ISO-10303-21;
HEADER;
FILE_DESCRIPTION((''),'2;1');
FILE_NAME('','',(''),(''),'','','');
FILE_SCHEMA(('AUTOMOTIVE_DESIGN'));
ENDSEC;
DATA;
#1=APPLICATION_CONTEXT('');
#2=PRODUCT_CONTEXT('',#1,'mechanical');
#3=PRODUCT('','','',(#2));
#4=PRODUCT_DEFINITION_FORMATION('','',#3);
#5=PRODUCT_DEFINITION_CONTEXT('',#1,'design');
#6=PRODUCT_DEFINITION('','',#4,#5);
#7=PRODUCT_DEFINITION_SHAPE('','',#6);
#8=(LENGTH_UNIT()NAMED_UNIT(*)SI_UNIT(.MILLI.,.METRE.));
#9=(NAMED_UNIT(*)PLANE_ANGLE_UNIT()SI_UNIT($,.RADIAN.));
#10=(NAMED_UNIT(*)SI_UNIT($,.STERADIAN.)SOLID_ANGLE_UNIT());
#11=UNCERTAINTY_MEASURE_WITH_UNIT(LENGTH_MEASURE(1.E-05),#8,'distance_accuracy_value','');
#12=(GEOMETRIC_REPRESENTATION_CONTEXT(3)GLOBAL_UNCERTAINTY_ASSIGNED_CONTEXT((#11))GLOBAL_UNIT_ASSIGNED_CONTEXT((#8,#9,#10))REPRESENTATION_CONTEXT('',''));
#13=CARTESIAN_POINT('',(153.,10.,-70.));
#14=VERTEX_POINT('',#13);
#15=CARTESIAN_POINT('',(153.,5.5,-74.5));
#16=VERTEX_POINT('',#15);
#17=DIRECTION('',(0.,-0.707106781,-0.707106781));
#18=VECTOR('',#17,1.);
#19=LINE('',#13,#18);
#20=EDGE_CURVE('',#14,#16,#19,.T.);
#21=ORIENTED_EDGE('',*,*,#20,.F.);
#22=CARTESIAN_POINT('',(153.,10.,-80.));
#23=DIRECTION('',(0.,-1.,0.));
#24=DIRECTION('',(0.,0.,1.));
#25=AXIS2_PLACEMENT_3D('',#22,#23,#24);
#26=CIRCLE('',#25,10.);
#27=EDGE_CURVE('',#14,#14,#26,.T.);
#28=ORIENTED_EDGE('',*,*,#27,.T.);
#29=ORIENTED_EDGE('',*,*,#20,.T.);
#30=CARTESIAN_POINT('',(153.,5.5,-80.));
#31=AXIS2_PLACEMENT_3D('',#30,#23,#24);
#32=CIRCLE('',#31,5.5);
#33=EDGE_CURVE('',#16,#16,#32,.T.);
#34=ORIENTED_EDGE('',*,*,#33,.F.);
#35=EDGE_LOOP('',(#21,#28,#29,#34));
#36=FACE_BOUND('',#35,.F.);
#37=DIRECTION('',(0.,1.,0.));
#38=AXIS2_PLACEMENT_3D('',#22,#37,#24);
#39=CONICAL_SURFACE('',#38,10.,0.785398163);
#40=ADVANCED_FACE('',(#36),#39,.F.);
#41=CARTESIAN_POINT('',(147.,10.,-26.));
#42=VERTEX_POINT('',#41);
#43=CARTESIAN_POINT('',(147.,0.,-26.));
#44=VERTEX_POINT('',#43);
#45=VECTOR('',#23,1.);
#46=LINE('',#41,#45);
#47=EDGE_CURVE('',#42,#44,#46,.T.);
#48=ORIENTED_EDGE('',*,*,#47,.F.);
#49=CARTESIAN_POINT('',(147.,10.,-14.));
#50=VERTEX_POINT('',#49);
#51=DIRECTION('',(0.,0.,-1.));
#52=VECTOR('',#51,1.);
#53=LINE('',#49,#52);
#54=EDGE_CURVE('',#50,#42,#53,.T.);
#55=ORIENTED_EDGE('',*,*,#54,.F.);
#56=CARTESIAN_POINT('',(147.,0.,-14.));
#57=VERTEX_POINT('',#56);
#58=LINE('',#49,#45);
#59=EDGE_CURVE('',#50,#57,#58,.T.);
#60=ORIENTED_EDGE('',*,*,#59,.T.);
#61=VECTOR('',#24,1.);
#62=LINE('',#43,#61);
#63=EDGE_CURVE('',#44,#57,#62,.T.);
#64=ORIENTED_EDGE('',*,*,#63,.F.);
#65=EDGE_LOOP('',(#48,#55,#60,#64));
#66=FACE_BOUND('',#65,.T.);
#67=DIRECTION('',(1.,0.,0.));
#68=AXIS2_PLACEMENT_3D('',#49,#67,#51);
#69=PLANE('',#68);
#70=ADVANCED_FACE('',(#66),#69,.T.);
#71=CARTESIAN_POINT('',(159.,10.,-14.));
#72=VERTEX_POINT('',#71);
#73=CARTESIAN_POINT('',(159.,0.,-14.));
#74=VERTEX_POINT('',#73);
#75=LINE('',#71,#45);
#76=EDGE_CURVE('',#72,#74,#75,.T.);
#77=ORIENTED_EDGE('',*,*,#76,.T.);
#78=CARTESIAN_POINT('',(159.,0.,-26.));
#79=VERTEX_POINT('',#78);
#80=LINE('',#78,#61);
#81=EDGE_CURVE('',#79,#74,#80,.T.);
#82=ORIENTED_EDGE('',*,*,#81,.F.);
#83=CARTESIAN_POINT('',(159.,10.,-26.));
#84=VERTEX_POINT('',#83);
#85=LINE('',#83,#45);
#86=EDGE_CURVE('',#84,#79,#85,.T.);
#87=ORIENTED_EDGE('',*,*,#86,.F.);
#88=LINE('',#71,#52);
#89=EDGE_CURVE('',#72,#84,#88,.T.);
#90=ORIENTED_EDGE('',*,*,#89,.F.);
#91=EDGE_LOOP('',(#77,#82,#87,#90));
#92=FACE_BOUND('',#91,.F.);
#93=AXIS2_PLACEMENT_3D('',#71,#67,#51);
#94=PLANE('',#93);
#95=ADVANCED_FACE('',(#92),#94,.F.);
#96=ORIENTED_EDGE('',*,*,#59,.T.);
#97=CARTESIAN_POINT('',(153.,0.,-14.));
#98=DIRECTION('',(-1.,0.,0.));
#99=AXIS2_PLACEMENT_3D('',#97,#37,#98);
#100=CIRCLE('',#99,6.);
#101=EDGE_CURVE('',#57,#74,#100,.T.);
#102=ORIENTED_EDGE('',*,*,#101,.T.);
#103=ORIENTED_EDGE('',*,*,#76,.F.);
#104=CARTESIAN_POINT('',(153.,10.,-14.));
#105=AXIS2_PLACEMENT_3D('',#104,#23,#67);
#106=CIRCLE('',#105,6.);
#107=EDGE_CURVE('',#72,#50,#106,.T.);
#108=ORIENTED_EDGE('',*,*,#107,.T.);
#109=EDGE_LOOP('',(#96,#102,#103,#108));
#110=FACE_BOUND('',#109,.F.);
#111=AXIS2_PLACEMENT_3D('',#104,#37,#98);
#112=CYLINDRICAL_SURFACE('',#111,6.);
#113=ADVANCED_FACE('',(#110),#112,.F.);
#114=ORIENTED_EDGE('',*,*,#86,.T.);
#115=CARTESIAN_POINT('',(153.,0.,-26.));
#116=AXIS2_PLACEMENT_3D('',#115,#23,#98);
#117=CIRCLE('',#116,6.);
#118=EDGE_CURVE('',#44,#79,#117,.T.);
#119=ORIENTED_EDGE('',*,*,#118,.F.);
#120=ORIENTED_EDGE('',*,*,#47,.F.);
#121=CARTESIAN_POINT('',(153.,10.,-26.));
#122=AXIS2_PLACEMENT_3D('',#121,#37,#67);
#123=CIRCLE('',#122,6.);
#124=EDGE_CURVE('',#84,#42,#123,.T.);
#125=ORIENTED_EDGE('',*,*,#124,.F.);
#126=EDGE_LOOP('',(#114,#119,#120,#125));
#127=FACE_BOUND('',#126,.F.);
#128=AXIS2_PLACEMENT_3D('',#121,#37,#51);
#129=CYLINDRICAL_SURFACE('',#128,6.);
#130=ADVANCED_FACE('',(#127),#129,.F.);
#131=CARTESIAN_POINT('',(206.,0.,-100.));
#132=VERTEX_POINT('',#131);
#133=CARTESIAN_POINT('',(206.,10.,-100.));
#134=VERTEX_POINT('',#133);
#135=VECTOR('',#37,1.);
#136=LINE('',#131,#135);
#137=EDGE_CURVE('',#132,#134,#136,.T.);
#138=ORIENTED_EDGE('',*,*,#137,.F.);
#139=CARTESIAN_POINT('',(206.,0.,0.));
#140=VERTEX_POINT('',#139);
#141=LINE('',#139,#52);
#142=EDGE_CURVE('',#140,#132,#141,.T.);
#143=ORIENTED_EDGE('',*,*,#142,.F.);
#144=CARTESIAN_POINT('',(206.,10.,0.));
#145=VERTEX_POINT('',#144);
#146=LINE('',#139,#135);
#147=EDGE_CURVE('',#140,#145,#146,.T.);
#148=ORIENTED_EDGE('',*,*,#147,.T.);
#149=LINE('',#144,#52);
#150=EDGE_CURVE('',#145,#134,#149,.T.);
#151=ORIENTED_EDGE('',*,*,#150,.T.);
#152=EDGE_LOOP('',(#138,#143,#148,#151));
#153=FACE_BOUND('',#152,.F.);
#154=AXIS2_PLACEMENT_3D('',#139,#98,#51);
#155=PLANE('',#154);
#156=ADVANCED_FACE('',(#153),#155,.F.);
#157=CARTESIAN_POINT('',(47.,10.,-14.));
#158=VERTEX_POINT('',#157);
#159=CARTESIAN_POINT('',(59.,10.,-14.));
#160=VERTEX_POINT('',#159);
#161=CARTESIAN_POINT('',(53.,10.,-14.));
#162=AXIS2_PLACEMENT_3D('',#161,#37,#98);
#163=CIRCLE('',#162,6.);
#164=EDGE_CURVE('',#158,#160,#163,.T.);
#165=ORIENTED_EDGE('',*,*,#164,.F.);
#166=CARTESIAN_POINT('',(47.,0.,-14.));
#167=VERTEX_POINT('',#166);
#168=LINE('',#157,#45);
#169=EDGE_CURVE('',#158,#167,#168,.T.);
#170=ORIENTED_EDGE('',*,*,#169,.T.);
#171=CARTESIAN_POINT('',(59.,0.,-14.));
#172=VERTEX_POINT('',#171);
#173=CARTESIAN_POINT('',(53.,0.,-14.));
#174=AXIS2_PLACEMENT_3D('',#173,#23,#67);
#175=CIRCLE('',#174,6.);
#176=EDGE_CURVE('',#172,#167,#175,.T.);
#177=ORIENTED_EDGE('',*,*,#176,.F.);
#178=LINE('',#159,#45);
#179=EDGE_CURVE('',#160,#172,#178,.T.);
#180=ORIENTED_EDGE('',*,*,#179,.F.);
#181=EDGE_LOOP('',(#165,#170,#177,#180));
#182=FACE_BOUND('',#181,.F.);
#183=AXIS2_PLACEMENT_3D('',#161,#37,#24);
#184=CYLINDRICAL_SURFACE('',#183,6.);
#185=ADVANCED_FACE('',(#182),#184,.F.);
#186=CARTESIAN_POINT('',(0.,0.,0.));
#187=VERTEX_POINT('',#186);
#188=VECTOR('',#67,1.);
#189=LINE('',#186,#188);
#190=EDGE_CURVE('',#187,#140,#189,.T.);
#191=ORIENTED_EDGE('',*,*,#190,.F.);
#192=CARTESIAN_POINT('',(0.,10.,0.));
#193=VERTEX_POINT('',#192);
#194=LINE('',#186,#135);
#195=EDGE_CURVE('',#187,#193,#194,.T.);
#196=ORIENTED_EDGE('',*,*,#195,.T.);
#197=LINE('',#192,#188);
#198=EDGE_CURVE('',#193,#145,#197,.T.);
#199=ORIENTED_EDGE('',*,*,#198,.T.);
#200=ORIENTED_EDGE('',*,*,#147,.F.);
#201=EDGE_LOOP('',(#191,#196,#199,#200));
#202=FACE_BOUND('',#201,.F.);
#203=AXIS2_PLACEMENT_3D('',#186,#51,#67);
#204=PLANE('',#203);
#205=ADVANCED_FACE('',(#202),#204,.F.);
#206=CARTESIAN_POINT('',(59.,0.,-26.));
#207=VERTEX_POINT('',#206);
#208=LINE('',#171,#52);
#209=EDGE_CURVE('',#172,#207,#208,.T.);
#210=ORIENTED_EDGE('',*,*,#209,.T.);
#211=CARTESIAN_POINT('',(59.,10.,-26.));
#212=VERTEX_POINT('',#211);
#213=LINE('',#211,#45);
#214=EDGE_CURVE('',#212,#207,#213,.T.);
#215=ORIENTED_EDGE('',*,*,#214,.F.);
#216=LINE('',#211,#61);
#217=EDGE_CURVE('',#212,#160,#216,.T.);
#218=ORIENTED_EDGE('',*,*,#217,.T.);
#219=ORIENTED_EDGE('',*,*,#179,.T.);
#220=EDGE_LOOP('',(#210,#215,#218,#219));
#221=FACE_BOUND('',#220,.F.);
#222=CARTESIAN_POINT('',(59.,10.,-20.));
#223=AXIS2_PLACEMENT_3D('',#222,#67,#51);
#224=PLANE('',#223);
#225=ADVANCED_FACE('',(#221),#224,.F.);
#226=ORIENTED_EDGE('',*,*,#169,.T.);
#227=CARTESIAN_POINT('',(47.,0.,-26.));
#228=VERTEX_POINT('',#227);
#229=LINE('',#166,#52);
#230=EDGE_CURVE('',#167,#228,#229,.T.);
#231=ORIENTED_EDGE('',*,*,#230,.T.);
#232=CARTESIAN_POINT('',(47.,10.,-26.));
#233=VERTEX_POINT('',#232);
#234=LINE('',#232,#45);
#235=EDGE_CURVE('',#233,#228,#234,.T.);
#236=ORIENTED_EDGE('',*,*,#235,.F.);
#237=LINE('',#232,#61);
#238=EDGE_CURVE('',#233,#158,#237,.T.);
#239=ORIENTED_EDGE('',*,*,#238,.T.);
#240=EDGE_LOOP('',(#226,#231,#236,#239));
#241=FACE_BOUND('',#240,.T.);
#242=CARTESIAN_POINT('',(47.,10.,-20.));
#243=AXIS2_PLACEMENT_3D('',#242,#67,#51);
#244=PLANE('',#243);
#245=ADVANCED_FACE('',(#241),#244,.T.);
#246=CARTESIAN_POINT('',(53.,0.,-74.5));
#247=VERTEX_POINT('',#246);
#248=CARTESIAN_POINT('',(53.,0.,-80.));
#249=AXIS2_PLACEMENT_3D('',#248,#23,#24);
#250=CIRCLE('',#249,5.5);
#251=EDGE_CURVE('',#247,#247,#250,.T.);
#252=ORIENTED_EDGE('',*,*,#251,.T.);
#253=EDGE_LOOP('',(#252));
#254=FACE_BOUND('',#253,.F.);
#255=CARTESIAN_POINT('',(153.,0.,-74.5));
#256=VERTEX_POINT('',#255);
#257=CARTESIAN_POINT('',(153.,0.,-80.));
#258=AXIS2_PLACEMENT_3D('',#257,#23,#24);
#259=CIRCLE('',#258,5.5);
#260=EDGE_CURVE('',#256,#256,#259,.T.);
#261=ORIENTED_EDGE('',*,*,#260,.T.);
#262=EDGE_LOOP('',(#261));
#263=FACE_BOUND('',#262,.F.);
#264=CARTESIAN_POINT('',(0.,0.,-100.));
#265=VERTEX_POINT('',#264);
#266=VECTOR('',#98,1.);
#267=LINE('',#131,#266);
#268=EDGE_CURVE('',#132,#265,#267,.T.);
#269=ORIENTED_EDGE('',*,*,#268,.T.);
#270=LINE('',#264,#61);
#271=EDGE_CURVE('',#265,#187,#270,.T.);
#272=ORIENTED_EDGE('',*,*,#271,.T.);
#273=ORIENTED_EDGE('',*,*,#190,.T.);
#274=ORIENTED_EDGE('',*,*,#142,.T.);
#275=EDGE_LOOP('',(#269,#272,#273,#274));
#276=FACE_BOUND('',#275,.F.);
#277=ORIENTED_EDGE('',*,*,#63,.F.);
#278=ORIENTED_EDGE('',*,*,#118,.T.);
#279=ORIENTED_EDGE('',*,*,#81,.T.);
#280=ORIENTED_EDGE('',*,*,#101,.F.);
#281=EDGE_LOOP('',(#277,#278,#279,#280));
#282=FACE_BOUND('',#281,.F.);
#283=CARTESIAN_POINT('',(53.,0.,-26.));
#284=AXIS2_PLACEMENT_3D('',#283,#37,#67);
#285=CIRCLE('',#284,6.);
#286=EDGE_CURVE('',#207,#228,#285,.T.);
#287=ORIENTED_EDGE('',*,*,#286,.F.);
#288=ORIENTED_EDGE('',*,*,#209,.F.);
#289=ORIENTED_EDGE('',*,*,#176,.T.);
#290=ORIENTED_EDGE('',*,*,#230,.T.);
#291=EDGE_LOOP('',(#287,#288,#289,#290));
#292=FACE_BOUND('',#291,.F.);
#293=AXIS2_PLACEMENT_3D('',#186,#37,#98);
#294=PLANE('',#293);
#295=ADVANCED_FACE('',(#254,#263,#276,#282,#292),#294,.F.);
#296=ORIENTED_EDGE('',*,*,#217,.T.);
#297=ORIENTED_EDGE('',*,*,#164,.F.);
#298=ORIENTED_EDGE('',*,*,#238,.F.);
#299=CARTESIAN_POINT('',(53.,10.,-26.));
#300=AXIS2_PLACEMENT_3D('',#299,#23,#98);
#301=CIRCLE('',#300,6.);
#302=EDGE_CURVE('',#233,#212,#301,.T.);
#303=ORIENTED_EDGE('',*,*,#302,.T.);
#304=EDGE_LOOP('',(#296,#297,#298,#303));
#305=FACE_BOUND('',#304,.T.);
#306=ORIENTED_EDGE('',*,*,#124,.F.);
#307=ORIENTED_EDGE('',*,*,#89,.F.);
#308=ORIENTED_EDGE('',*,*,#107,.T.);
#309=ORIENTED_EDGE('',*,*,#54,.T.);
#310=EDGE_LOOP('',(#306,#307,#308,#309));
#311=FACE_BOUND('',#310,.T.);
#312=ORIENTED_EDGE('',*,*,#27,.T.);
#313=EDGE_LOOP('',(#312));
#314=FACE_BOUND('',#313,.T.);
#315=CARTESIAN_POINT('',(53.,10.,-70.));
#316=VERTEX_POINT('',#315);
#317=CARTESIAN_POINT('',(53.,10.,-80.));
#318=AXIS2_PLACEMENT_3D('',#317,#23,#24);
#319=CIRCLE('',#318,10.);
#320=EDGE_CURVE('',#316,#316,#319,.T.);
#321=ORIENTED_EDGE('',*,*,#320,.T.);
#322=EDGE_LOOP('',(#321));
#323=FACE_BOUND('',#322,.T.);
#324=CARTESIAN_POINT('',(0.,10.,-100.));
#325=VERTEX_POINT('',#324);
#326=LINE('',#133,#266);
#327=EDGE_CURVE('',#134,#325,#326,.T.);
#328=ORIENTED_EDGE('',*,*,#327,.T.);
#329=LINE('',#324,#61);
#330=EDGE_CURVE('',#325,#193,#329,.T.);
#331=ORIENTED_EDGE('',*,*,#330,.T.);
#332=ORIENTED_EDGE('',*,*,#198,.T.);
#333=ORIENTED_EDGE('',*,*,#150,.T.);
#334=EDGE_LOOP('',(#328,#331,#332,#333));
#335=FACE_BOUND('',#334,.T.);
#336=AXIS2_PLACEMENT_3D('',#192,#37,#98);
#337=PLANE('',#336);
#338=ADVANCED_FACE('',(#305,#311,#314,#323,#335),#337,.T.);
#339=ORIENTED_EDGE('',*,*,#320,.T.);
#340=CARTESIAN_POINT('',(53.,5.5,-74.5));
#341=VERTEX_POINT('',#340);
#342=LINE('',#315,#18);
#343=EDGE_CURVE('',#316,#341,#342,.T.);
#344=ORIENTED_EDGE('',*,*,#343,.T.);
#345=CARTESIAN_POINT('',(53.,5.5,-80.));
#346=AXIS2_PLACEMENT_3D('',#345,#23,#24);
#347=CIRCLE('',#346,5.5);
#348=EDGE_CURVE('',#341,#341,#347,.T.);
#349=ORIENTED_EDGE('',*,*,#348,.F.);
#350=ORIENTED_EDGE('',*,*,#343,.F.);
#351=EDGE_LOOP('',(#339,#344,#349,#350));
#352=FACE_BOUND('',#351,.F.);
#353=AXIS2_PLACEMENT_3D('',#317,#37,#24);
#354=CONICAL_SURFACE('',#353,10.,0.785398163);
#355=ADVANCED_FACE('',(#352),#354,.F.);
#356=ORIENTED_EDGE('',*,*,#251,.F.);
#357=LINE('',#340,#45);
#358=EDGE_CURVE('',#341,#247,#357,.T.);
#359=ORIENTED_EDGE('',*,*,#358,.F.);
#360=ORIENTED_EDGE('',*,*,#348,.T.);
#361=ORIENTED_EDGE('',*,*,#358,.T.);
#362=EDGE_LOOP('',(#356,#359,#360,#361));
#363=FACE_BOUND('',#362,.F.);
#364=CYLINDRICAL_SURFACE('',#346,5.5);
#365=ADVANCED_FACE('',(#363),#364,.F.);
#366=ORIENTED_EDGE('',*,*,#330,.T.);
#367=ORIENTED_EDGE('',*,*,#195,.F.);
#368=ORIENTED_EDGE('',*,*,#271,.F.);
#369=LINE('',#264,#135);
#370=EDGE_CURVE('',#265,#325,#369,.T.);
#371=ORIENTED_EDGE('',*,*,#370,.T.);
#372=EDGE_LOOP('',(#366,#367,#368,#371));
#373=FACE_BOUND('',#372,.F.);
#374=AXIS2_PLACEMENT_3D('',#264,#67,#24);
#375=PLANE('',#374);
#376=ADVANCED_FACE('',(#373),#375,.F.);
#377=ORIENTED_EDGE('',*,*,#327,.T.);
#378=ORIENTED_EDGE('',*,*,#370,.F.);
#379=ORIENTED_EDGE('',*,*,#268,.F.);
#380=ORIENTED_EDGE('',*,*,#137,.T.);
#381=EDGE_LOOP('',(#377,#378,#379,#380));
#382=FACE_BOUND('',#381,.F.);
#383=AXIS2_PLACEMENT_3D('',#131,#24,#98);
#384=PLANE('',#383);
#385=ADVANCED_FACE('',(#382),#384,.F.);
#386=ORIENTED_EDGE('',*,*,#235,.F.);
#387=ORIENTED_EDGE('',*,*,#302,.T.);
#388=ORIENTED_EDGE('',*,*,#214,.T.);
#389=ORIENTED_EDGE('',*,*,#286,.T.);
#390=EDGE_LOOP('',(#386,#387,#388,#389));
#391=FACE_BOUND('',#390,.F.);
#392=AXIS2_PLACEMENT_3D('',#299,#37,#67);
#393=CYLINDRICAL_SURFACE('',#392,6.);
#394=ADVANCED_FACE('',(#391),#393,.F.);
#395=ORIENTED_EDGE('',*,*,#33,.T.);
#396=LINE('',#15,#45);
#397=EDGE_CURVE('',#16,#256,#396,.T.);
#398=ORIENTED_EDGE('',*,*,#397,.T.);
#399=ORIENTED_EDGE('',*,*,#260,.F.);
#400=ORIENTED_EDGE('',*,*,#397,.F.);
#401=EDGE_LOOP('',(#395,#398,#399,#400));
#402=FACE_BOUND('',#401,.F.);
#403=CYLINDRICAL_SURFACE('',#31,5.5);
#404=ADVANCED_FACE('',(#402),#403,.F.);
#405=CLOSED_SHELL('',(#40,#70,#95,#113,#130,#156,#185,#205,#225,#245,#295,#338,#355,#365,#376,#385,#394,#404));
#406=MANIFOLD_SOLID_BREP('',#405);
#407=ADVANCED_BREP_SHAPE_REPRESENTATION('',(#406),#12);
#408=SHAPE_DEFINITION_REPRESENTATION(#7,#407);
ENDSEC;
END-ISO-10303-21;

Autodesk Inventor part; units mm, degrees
ref_plane "YZ Plane" through (0, 0, 0) normal (1, 0, 0) x (0, 1, 0)
ref_plane "XZ Plane" through (0, 0, 0) normal (0, 1, 0) x (-1, 0, 0)
ref_plane "XY Plane" through (0, 0, 0) normal (0, 0, 1) x (1, 0, 0)
sketch "Skizze1" plane through (0, 0, 0) normal (0, 1, 0) x (-1, 0, 0)
  line L0 (0, 0) -> (-206, 0)
  line L1 (-206, 0) -> (-206, -100)
  line L2 (-206, -100) -> (0, -100)
  line L3 (0, -100) -> (0, 0)
  dimension "d0" = 206
  dimension "d1" = 100
extrude "Extrusion1" add sketch "Skizze1" along normal blind 10
sketch "Skizze2" plane through (0, 10, 0) normal (0, 1, 0) x (1, 0, 0)
  line L0 (206, 100) -> (0, 100) construction
  line L1 (0, 100) -> (0, 20) construction
  line L2 (0, 100) -> (0, 0) construction
  line L3 (0, 100) -> (80, 100) construction
  line L4 (0, 20) -> (206, 20) construction
  line L5 (206, 20) -> (103, 20) construction
  line L6 (206, 20) -> (309, 20) construction
  line L7 (103, 20) -> (153, 20) construction
  line L8 (103, 20) -> (153, 20) construction
  line L9 (153, 20) -> (147, 20)
  line L10 (147, 20) -> (147, 26)
  line L11 (147, 26) -> (153, 26)
  line L12 (153, 26) -> (153, 20)
  line L13 (147, 20) -> (153, 20)
  line L14 (153, 20) -> (153, 14)
  line L15 (153, 14) -> (147, 14)
  line L16 (147, 14) -> (147, 20)
  arc A0 (147, 14) -> (153, 8) centre (153, 14) ccw
  arc A1 (153, 32) -> (147, 26) centre (153, 26) ccw
  line L17 (153, 8) -> (153, 32)
  line L18 (306, 20) -> (100, 20) construction
  line L19 (100, 20) -> (203, 20) construction
  line L20 (203, 20) -> (153, 20) construction
  line L21 (203, 20) -> (153, 20) construction
  line L22 (153, 20) -> (159, 20)
  line L23 (159, 20) -> (159, 26)
  line L24 (159, 26) -> (153, 26)
  line L25 (159, 20) -> (153, 20)
  line L26 (153, 14) -> (159, 14)
  line L27 (159, 14) -> (159, 20)
  arc A2 (153, 8) -> (159, 14) centre (153, 14) ccw
  arc A3 (159, 26) -> (153, 32) centre (153, 26) ccw
  line L28 (103, 100) -> (103, 20) construction
  line L29 (0, 0) -> (206, 0) construction
  line L30 (103, 100) -> (183, 100) construction
  line L31 (53, 20) -> (59, 20)
  line L32 (59, 20) -> (59, 26)
  line L33 (59, 26) -> (53, 26)
  line L34 (53, 26) -> (53, 20)
  line L35 (59, 20) -> (53, 20)
  line L36 (53, 20) -> (53, 14)
  line L37 (53, 14) -> (59, 14)
  line L38 (59, 14) -> (59, 20)
  arc A4 (53, 8) -> (59, 14) centre (53, 14) ccw
  arc A5 (59, 26) -> (53, 32) centre (53, 26) ccw
  line L39 (53, 8) -> (53, 32)
  line L40 (47, 20) -> (47, 26)
  line L41 (47, 26) -> (53, 26)
  line L42 (53, 20) -> (47, 20)
  line L43 (47, 20) -> (53, 20)
  line L44 (47, 14) -> (47, 20)
  line L45 (53, 14) -> (47, 14)
  arc A6 (53, 32) -> (47, 26) centre (53, 26) ccw
  arc A7 (47, 14) -> (53, 8) centre (53, 14) ccw
  dimension "d4" = 80
  dimension "d5" = 90
  dimension "d6" = 206
  dimension "d7" = 90
  dimension "d8" = 103
  dimension "d9" = 180
  dimension "d10" = 50
  dimension "d11" = 0
  dimension "d12" = 6
  dimension "d13" = 6
  dimension "d14" = 6
  dimension "d15" = 6
  dimension "d16" = 80
  dimension "d17" = 90
extrude "Extrusion2" cut sketch "Skizze2" against normal blind 10
sketch "Skizze4" plane through (0, 10, 0) normal (0, 1, 0) x (1, 0, 0)
  line L0 (0, 100) -> (0, 80) construction
  line L1 (0, 100) -> (0, 0) construction
  line L2 (0, 100) -> (20, 100) construction
  line L3 (0, 80) -> (206, 80) construction
  line L4 (0, 80) -> (103, 80) construction
  line L5 (103, 80) -> (53, 80) construction
  line L6 (53, 80) -> (153, 80) construction
  dimension "d24" = 20
  dimension "d25" = 90
  dimension "d26" = 206
  dimension "d27" = 90
  dimension "d28" = 50
  dimension "d29" = 100
  dimension "d30" = 0
hole "Bohrung1" at (153, 10, -80) at (53, 10, -80) direction (0, -1, 0) diameter 11 end through all countersink diameter 20 countersink angle 90 clearance for "Flachkopfsenkschraube DIN EN ISO 2009" size "M10" standard "DIN"
properties part number "Motorhalterung_BT1"
